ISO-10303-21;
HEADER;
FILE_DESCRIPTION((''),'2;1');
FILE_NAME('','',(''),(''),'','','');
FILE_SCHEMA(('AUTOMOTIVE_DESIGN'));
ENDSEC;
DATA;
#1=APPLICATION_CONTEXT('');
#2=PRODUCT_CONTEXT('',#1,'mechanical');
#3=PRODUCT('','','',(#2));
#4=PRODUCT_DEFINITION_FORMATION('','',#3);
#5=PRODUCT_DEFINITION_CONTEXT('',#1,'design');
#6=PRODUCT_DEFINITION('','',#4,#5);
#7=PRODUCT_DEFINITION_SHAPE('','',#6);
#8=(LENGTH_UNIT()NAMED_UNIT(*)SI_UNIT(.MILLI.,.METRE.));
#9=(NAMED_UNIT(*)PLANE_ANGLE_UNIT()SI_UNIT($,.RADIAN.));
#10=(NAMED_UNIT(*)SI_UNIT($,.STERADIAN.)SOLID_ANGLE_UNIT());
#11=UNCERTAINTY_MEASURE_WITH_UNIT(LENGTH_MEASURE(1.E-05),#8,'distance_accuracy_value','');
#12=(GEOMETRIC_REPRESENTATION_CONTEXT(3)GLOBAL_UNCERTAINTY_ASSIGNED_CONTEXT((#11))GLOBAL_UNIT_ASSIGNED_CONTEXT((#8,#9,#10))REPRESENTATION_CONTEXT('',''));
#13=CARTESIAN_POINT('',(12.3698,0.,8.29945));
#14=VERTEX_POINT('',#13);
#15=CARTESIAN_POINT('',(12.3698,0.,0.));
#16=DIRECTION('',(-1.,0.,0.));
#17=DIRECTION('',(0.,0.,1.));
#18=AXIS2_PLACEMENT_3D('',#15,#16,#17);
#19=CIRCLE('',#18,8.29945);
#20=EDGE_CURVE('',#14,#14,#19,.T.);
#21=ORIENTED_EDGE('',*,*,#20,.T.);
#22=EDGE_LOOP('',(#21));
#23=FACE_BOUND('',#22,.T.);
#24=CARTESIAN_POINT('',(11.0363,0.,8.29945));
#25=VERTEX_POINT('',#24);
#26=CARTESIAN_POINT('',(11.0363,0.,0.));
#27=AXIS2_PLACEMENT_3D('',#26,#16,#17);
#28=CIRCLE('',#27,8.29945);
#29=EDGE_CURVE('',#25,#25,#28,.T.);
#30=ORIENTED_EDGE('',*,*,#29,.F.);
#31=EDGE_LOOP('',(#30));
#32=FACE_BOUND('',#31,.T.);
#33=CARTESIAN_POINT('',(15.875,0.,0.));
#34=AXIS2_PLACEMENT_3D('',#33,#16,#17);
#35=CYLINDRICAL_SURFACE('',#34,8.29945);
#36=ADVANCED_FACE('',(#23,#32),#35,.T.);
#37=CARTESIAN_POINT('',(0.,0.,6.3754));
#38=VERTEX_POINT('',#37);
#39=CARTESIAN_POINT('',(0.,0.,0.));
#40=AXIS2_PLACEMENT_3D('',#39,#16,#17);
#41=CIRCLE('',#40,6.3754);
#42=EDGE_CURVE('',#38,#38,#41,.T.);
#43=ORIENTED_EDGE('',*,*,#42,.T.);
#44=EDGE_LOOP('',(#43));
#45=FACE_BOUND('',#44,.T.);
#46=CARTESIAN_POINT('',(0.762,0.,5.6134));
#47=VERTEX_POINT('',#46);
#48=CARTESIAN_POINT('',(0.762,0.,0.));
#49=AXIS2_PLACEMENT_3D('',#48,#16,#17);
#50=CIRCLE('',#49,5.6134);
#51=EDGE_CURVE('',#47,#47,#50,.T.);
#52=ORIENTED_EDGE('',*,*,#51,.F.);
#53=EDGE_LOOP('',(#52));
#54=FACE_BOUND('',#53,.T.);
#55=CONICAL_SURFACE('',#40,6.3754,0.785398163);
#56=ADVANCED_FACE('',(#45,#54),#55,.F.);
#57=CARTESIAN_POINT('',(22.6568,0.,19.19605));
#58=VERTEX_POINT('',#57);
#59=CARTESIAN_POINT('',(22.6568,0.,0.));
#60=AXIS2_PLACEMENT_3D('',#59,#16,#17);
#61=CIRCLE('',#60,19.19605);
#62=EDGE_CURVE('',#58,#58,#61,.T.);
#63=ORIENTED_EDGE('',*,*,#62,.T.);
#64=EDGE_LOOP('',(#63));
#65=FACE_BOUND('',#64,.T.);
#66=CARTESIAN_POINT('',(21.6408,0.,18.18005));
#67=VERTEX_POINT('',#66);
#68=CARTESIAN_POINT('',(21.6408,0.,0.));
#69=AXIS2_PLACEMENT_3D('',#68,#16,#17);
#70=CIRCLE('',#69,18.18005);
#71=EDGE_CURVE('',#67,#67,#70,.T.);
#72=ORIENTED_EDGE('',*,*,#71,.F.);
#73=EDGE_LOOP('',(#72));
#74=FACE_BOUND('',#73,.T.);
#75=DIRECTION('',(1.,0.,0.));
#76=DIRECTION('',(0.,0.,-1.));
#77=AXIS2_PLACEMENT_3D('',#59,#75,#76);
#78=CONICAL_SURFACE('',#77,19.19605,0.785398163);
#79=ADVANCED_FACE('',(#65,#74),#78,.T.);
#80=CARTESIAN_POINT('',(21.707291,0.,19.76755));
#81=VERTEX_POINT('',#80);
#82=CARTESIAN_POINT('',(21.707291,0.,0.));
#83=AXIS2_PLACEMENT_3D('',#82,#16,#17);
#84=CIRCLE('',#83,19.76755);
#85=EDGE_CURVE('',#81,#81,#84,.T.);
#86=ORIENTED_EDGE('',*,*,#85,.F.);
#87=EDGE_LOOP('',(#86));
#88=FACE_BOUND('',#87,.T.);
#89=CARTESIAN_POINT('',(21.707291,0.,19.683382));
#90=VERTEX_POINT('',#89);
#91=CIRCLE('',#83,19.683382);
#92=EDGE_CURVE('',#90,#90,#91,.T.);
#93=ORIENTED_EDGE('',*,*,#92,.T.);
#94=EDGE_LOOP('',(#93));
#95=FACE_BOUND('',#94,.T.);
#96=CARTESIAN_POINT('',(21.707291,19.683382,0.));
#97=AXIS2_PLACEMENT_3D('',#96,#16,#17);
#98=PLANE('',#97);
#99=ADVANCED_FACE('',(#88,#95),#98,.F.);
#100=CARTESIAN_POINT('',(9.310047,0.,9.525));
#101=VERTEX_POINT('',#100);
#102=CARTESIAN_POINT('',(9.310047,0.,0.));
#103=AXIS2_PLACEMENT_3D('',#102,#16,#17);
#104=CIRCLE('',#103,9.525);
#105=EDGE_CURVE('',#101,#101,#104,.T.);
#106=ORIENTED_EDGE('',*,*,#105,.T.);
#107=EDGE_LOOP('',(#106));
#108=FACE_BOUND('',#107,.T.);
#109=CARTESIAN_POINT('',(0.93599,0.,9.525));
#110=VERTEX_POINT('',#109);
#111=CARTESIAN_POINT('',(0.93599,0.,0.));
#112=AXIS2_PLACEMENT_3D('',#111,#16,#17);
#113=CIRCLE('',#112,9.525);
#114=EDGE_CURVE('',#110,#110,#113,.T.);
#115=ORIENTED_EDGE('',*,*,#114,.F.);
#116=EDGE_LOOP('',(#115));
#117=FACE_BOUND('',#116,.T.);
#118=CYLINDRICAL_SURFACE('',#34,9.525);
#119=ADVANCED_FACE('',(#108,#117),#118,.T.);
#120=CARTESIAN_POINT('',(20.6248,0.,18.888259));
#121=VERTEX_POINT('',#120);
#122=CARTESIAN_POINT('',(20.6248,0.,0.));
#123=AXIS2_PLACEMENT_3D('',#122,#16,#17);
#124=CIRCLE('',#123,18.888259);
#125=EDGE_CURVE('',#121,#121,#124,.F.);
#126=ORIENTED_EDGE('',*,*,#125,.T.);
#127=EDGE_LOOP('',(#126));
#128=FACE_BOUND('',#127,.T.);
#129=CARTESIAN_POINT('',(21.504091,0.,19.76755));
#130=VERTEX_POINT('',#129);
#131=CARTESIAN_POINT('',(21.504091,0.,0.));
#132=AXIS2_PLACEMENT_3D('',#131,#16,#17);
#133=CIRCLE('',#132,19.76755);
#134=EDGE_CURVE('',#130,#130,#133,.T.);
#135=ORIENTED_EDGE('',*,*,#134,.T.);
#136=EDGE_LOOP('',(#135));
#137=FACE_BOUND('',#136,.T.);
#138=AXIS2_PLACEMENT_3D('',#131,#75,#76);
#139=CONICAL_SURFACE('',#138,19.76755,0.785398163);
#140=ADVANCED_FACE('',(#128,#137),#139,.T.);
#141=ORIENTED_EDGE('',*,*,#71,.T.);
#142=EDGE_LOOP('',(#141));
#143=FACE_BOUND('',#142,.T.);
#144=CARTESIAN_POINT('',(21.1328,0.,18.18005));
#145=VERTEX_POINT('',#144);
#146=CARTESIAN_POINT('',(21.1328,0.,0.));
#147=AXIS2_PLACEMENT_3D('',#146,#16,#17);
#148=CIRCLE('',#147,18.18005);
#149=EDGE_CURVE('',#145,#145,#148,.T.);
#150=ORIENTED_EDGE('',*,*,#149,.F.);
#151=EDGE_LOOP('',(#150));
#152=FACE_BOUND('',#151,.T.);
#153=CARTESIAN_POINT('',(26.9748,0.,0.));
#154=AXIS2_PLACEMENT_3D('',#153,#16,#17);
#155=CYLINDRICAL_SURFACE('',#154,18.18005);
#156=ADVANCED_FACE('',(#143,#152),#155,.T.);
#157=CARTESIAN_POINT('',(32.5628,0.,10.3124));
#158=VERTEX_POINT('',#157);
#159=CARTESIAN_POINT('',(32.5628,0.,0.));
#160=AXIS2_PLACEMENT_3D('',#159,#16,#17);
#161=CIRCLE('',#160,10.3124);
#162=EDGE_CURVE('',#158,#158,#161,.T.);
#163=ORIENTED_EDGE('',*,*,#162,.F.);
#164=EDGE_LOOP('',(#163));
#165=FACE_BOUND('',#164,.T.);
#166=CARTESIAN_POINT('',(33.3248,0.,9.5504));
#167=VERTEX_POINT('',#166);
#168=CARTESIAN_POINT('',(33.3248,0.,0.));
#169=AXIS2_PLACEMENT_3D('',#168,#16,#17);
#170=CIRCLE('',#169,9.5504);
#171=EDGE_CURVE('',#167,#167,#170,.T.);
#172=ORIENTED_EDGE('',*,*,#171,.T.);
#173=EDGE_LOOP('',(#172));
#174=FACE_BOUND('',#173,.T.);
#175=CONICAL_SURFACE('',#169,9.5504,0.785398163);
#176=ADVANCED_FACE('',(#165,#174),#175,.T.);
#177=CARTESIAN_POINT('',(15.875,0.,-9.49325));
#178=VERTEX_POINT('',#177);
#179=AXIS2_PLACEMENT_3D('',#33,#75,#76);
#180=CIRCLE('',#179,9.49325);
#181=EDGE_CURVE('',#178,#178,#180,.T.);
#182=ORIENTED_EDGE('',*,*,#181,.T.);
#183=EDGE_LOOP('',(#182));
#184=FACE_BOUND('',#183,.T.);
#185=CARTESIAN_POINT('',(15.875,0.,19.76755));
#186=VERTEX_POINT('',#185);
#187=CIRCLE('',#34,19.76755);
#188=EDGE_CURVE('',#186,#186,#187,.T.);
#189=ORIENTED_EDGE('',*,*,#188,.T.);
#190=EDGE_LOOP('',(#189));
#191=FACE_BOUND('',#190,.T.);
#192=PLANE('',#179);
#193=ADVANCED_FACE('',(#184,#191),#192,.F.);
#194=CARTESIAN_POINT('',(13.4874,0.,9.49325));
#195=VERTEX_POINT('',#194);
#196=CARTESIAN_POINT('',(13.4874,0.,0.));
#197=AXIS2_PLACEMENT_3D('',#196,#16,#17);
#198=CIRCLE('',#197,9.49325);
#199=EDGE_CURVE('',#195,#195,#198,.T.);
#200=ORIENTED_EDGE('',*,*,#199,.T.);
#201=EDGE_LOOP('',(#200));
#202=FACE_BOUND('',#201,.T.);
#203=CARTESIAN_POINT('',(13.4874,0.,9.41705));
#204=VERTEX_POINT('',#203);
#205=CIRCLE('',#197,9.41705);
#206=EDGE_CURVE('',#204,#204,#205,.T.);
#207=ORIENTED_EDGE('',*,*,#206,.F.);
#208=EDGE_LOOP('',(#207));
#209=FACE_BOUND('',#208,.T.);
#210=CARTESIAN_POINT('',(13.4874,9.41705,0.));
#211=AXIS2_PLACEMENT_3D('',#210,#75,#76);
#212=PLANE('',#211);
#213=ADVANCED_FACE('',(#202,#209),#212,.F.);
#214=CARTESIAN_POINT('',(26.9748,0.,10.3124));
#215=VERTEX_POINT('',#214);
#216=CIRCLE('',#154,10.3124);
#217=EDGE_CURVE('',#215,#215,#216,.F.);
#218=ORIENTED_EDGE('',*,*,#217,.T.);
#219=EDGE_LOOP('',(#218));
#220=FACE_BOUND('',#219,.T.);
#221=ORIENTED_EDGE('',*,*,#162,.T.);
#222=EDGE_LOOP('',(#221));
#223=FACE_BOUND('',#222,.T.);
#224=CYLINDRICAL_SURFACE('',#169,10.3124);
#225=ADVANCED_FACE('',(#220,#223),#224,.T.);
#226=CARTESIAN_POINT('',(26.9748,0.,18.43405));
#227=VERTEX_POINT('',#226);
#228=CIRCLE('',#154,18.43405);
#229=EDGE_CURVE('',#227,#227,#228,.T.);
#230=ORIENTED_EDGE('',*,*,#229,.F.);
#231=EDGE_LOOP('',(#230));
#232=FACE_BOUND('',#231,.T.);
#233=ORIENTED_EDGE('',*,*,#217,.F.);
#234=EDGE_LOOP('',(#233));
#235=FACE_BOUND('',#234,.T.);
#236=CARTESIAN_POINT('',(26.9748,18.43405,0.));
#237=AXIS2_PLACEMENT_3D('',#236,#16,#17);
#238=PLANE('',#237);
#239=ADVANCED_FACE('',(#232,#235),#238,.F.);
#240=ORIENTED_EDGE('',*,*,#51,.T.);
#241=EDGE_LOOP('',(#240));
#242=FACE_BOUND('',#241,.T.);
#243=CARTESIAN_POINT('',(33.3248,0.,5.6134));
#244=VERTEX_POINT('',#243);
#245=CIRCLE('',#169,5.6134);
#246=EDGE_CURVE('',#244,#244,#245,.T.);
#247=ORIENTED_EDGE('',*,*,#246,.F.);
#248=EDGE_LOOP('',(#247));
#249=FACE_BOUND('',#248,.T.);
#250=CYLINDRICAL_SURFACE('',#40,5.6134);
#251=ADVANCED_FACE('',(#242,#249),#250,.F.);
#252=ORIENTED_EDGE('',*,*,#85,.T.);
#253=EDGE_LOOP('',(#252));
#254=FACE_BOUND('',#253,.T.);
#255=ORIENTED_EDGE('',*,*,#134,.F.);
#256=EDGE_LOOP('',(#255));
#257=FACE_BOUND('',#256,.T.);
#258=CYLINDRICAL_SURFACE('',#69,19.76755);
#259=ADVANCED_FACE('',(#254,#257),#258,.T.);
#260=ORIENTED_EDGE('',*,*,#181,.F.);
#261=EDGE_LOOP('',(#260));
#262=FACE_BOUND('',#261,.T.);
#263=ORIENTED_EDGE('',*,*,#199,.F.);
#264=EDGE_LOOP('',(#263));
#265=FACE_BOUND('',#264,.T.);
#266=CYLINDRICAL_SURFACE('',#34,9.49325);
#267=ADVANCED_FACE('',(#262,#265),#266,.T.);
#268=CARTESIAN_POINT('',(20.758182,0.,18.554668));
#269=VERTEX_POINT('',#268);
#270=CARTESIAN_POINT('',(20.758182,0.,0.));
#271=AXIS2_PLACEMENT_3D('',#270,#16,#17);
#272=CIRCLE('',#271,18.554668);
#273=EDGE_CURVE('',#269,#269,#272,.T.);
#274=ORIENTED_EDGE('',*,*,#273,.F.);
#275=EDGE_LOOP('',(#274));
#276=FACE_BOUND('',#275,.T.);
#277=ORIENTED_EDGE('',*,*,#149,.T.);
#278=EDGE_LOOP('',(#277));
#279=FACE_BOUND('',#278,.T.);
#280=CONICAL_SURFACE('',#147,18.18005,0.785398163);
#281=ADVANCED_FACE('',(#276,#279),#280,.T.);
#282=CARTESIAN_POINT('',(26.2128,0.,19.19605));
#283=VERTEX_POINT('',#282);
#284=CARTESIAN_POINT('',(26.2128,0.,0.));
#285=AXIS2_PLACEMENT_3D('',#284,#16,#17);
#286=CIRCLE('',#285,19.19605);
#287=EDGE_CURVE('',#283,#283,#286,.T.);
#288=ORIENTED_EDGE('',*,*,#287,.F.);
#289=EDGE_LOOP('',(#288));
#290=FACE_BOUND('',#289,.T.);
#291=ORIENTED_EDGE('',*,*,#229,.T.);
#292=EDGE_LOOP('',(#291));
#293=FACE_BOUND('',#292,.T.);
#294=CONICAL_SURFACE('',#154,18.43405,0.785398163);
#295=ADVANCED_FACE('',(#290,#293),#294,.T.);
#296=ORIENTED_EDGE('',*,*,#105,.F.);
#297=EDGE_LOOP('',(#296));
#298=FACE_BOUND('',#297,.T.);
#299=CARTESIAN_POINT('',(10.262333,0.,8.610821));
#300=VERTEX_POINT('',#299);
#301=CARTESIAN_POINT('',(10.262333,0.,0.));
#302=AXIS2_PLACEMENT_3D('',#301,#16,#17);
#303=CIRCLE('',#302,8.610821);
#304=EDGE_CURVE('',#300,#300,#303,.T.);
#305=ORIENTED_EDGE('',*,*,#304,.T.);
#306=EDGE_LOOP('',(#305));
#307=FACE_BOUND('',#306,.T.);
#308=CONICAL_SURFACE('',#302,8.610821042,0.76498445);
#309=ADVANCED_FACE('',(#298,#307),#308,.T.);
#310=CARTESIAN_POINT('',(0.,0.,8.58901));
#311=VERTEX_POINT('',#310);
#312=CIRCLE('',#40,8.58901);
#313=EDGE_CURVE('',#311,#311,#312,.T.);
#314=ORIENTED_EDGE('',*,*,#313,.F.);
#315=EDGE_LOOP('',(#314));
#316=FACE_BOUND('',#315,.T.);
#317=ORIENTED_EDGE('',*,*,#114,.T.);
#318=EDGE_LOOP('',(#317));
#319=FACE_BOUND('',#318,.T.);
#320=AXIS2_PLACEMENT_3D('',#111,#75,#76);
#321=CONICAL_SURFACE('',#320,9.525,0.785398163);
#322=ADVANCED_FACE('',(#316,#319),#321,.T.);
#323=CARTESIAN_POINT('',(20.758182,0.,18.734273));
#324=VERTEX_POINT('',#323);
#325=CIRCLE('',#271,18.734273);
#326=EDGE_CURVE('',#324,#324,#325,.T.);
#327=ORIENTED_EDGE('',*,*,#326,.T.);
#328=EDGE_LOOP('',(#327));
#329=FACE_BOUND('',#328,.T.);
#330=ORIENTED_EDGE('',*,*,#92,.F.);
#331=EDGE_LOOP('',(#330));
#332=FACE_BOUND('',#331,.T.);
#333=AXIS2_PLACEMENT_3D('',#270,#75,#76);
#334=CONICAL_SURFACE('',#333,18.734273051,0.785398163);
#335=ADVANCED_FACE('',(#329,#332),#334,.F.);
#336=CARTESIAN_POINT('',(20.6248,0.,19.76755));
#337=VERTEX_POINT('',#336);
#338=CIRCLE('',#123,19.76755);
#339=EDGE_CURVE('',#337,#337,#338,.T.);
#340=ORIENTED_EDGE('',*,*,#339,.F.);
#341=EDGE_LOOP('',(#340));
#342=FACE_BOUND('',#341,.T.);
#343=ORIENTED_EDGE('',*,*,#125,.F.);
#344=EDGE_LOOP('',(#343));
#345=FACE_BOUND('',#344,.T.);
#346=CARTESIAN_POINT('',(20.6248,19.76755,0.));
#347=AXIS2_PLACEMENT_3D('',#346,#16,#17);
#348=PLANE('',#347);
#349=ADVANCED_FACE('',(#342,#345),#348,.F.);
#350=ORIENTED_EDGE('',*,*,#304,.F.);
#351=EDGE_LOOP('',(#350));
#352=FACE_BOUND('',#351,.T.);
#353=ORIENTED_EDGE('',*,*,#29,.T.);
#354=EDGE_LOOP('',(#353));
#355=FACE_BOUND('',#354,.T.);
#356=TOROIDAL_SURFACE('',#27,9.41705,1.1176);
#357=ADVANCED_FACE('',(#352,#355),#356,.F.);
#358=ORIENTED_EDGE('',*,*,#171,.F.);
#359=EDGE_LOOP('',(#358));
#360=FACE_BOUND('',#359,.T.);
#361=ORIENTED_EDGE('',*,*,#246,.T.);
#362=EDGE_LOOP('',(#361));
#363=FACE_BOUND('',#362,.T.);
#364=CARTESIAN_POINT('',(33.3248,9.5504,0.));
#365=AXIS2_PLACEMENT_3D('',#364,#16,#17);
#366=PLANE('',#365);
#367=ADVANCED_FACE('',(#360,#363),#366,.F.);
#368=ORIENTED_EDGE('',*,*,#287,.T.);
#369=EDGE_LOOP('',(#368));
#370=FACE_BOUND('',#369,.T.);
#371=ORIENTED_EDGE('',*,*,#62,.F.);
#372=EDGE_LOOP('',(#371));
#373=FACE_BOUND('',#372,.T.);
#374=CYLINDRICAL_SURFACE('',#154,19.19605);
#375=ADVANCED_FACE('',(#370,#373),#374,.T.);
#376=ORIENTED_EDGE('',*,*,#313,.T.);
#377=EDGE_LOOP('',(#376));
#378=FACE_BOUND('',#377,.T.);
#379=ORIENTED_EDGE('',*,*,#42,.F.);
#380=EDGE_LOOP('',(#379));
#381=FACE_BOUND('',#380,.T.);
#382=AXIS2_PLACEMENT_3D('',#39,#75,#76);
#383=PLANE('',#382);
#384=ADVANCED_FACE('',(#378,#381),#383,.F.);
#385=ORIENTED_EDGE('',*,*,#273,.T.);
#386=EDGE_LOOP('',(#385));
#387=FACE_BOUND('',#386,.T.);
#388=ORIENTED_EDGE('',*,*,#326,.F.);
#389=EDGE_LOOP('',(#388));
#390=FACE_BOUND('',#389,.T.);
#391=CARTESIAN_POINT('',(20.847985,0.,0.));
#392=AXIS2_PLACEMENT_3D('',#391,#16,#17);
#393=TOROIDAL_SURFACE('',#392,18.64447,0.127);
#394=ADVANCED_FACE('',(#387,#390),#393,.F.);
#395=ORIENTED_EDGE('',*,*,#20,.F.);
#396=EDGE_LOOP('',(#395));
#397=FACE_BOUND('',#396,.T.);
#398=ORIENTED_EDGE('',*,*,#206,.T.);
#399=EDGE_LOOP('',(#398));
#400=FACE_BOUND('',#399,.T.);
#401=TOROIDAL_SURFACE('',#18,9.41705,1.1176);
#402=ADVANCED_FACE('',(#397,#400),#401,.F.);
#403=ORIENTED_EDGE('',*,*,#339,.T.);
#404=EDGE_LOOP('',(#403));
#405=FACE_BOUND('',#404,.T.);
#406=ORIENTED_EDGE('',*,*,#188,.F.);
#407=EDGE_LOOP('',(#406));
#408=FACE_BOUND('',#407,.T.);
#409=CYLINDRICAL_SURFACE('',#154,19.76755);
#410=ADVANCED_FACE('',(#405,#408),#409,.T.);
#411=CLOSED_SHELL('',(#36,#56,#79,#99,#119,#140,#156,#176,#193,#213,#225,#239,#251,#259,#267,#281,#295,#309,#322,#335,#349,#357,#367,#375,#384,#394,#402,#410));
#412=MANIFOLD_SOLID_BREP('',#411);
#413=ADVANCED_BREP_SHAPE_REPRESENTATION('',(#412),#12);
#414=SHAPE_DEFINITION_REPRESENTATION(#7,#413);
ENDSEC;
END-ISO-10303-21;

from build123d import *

# Parameters (mm, degrees)
HOLE1_D           = 11.2268
HOLE1_CSINK_D     = 12.7508
HOLE1_CSINK_ANGLE = 90


with BuildPart() as part:
    # Sketch1 → Revolve1 (revolve)
    with BuildSketch(Plane.XY):
        with BuildLine():
            Line((0, 0), (0, 8.58901))
            Line((0, 8.58901), (0.93599, 9.525))
            Line((0.93599, 9.525), (9.310047461, 9.525))
            Line((9.310047461, 9.525), (10.262333187, 8.610821042))
            ThreePointArc((10.262333187, 8.610821042), (10.619173954, 8.380210754), (11.0363, 8.29945))
            Line((11.0363, 8.29945), (12.3698, 8.29945))
            ThreePointArc((12.3698, 8.29945), (13.160062539, 8.626787461), (13.4874, 9.41705))
            Line((13.4874, 9.41705), (13.4874, 9.49325))
            Line((13.4874, 9.49325), (15.875, 9.49325))
            Line((15.875, 9.49325), (15.875, 0))
            Line((15.875, 0), (0, 0))
        make_face()
    revolve(axis=Axis((15.875, 0, 0), (-1, 0, 0)))

    # Sketch2 → Revolve2 (revolve)
    with BuildSketch(Plane.XY):
        Polygon((15.875, 0), (15.875, 19.76755), (20.6248, 19.76755), (20.6248, 18.18005), (21.6408, 18.18005), (22.6568, 19.19605), (26.2128, 19.19605), (26.9748, 18.43405), (26.9748, 0), align=None)
    revolve(axis=Axis((26.9748, 0, 0), (-1, 0, 0)))

    # Sketch3 → Revolve3 (revolve)
    with BuildSketch(Plane.XY):
        Polygon((26.9748, 0), (26.9748, 10.3124), (32.5628, 10.3124), (33.3248, 9.5504), (33.3248, 0), align=None)
    revolve(axis=Axis((33.3248, 0, 0), (-1, 0, 0)))

    # Hole1 (through all)
    with Locations(Plane.ZY):
        with Locations((0, 0)):
            CounterSinkHole(HOLE1_D / 2, HOLE1_CSINK_D / 2, counter_sink_angle=HOLE1_CSINK_ANGLE)

    # Sketch6 → Revolve4 (revolve)
    with BuildSketch(Plane.XY):
        with BuildLine():
            Line((20.6248, 17.92605), (21.6408, 17.92605))
            Line((21.6408, 17.92605), (21.6408, 18.18005))
            Line((21.6408, 18.18005), (21.1328, 18.18005))
            Line((21.1328, 18.18005), (20.758182072, 18.554667928))
            ThreePointArc((20.758182072, 18.554667928), (20.720984633, 18.64447049), (20.758182072, 18.734273051))
            Line((20.758182072, 18.734273051), (21.707290825, 19.683381804))
            Line((21.707290825, 19.683381804), (21.707290825, 19.76755))
            Line((21.707290825, 19.76755), (21.504090825, 19.76755))
            Line((21.504090825, 19.76755), (20.6248, 18.888259175))
            Line((20.6248, 18.888259175), (20.6248, 17.92605))
        make_face()
    revolve(axis=Axis((21.6408, 0, 0), (-1, 0, 0)))


solid = part.part
